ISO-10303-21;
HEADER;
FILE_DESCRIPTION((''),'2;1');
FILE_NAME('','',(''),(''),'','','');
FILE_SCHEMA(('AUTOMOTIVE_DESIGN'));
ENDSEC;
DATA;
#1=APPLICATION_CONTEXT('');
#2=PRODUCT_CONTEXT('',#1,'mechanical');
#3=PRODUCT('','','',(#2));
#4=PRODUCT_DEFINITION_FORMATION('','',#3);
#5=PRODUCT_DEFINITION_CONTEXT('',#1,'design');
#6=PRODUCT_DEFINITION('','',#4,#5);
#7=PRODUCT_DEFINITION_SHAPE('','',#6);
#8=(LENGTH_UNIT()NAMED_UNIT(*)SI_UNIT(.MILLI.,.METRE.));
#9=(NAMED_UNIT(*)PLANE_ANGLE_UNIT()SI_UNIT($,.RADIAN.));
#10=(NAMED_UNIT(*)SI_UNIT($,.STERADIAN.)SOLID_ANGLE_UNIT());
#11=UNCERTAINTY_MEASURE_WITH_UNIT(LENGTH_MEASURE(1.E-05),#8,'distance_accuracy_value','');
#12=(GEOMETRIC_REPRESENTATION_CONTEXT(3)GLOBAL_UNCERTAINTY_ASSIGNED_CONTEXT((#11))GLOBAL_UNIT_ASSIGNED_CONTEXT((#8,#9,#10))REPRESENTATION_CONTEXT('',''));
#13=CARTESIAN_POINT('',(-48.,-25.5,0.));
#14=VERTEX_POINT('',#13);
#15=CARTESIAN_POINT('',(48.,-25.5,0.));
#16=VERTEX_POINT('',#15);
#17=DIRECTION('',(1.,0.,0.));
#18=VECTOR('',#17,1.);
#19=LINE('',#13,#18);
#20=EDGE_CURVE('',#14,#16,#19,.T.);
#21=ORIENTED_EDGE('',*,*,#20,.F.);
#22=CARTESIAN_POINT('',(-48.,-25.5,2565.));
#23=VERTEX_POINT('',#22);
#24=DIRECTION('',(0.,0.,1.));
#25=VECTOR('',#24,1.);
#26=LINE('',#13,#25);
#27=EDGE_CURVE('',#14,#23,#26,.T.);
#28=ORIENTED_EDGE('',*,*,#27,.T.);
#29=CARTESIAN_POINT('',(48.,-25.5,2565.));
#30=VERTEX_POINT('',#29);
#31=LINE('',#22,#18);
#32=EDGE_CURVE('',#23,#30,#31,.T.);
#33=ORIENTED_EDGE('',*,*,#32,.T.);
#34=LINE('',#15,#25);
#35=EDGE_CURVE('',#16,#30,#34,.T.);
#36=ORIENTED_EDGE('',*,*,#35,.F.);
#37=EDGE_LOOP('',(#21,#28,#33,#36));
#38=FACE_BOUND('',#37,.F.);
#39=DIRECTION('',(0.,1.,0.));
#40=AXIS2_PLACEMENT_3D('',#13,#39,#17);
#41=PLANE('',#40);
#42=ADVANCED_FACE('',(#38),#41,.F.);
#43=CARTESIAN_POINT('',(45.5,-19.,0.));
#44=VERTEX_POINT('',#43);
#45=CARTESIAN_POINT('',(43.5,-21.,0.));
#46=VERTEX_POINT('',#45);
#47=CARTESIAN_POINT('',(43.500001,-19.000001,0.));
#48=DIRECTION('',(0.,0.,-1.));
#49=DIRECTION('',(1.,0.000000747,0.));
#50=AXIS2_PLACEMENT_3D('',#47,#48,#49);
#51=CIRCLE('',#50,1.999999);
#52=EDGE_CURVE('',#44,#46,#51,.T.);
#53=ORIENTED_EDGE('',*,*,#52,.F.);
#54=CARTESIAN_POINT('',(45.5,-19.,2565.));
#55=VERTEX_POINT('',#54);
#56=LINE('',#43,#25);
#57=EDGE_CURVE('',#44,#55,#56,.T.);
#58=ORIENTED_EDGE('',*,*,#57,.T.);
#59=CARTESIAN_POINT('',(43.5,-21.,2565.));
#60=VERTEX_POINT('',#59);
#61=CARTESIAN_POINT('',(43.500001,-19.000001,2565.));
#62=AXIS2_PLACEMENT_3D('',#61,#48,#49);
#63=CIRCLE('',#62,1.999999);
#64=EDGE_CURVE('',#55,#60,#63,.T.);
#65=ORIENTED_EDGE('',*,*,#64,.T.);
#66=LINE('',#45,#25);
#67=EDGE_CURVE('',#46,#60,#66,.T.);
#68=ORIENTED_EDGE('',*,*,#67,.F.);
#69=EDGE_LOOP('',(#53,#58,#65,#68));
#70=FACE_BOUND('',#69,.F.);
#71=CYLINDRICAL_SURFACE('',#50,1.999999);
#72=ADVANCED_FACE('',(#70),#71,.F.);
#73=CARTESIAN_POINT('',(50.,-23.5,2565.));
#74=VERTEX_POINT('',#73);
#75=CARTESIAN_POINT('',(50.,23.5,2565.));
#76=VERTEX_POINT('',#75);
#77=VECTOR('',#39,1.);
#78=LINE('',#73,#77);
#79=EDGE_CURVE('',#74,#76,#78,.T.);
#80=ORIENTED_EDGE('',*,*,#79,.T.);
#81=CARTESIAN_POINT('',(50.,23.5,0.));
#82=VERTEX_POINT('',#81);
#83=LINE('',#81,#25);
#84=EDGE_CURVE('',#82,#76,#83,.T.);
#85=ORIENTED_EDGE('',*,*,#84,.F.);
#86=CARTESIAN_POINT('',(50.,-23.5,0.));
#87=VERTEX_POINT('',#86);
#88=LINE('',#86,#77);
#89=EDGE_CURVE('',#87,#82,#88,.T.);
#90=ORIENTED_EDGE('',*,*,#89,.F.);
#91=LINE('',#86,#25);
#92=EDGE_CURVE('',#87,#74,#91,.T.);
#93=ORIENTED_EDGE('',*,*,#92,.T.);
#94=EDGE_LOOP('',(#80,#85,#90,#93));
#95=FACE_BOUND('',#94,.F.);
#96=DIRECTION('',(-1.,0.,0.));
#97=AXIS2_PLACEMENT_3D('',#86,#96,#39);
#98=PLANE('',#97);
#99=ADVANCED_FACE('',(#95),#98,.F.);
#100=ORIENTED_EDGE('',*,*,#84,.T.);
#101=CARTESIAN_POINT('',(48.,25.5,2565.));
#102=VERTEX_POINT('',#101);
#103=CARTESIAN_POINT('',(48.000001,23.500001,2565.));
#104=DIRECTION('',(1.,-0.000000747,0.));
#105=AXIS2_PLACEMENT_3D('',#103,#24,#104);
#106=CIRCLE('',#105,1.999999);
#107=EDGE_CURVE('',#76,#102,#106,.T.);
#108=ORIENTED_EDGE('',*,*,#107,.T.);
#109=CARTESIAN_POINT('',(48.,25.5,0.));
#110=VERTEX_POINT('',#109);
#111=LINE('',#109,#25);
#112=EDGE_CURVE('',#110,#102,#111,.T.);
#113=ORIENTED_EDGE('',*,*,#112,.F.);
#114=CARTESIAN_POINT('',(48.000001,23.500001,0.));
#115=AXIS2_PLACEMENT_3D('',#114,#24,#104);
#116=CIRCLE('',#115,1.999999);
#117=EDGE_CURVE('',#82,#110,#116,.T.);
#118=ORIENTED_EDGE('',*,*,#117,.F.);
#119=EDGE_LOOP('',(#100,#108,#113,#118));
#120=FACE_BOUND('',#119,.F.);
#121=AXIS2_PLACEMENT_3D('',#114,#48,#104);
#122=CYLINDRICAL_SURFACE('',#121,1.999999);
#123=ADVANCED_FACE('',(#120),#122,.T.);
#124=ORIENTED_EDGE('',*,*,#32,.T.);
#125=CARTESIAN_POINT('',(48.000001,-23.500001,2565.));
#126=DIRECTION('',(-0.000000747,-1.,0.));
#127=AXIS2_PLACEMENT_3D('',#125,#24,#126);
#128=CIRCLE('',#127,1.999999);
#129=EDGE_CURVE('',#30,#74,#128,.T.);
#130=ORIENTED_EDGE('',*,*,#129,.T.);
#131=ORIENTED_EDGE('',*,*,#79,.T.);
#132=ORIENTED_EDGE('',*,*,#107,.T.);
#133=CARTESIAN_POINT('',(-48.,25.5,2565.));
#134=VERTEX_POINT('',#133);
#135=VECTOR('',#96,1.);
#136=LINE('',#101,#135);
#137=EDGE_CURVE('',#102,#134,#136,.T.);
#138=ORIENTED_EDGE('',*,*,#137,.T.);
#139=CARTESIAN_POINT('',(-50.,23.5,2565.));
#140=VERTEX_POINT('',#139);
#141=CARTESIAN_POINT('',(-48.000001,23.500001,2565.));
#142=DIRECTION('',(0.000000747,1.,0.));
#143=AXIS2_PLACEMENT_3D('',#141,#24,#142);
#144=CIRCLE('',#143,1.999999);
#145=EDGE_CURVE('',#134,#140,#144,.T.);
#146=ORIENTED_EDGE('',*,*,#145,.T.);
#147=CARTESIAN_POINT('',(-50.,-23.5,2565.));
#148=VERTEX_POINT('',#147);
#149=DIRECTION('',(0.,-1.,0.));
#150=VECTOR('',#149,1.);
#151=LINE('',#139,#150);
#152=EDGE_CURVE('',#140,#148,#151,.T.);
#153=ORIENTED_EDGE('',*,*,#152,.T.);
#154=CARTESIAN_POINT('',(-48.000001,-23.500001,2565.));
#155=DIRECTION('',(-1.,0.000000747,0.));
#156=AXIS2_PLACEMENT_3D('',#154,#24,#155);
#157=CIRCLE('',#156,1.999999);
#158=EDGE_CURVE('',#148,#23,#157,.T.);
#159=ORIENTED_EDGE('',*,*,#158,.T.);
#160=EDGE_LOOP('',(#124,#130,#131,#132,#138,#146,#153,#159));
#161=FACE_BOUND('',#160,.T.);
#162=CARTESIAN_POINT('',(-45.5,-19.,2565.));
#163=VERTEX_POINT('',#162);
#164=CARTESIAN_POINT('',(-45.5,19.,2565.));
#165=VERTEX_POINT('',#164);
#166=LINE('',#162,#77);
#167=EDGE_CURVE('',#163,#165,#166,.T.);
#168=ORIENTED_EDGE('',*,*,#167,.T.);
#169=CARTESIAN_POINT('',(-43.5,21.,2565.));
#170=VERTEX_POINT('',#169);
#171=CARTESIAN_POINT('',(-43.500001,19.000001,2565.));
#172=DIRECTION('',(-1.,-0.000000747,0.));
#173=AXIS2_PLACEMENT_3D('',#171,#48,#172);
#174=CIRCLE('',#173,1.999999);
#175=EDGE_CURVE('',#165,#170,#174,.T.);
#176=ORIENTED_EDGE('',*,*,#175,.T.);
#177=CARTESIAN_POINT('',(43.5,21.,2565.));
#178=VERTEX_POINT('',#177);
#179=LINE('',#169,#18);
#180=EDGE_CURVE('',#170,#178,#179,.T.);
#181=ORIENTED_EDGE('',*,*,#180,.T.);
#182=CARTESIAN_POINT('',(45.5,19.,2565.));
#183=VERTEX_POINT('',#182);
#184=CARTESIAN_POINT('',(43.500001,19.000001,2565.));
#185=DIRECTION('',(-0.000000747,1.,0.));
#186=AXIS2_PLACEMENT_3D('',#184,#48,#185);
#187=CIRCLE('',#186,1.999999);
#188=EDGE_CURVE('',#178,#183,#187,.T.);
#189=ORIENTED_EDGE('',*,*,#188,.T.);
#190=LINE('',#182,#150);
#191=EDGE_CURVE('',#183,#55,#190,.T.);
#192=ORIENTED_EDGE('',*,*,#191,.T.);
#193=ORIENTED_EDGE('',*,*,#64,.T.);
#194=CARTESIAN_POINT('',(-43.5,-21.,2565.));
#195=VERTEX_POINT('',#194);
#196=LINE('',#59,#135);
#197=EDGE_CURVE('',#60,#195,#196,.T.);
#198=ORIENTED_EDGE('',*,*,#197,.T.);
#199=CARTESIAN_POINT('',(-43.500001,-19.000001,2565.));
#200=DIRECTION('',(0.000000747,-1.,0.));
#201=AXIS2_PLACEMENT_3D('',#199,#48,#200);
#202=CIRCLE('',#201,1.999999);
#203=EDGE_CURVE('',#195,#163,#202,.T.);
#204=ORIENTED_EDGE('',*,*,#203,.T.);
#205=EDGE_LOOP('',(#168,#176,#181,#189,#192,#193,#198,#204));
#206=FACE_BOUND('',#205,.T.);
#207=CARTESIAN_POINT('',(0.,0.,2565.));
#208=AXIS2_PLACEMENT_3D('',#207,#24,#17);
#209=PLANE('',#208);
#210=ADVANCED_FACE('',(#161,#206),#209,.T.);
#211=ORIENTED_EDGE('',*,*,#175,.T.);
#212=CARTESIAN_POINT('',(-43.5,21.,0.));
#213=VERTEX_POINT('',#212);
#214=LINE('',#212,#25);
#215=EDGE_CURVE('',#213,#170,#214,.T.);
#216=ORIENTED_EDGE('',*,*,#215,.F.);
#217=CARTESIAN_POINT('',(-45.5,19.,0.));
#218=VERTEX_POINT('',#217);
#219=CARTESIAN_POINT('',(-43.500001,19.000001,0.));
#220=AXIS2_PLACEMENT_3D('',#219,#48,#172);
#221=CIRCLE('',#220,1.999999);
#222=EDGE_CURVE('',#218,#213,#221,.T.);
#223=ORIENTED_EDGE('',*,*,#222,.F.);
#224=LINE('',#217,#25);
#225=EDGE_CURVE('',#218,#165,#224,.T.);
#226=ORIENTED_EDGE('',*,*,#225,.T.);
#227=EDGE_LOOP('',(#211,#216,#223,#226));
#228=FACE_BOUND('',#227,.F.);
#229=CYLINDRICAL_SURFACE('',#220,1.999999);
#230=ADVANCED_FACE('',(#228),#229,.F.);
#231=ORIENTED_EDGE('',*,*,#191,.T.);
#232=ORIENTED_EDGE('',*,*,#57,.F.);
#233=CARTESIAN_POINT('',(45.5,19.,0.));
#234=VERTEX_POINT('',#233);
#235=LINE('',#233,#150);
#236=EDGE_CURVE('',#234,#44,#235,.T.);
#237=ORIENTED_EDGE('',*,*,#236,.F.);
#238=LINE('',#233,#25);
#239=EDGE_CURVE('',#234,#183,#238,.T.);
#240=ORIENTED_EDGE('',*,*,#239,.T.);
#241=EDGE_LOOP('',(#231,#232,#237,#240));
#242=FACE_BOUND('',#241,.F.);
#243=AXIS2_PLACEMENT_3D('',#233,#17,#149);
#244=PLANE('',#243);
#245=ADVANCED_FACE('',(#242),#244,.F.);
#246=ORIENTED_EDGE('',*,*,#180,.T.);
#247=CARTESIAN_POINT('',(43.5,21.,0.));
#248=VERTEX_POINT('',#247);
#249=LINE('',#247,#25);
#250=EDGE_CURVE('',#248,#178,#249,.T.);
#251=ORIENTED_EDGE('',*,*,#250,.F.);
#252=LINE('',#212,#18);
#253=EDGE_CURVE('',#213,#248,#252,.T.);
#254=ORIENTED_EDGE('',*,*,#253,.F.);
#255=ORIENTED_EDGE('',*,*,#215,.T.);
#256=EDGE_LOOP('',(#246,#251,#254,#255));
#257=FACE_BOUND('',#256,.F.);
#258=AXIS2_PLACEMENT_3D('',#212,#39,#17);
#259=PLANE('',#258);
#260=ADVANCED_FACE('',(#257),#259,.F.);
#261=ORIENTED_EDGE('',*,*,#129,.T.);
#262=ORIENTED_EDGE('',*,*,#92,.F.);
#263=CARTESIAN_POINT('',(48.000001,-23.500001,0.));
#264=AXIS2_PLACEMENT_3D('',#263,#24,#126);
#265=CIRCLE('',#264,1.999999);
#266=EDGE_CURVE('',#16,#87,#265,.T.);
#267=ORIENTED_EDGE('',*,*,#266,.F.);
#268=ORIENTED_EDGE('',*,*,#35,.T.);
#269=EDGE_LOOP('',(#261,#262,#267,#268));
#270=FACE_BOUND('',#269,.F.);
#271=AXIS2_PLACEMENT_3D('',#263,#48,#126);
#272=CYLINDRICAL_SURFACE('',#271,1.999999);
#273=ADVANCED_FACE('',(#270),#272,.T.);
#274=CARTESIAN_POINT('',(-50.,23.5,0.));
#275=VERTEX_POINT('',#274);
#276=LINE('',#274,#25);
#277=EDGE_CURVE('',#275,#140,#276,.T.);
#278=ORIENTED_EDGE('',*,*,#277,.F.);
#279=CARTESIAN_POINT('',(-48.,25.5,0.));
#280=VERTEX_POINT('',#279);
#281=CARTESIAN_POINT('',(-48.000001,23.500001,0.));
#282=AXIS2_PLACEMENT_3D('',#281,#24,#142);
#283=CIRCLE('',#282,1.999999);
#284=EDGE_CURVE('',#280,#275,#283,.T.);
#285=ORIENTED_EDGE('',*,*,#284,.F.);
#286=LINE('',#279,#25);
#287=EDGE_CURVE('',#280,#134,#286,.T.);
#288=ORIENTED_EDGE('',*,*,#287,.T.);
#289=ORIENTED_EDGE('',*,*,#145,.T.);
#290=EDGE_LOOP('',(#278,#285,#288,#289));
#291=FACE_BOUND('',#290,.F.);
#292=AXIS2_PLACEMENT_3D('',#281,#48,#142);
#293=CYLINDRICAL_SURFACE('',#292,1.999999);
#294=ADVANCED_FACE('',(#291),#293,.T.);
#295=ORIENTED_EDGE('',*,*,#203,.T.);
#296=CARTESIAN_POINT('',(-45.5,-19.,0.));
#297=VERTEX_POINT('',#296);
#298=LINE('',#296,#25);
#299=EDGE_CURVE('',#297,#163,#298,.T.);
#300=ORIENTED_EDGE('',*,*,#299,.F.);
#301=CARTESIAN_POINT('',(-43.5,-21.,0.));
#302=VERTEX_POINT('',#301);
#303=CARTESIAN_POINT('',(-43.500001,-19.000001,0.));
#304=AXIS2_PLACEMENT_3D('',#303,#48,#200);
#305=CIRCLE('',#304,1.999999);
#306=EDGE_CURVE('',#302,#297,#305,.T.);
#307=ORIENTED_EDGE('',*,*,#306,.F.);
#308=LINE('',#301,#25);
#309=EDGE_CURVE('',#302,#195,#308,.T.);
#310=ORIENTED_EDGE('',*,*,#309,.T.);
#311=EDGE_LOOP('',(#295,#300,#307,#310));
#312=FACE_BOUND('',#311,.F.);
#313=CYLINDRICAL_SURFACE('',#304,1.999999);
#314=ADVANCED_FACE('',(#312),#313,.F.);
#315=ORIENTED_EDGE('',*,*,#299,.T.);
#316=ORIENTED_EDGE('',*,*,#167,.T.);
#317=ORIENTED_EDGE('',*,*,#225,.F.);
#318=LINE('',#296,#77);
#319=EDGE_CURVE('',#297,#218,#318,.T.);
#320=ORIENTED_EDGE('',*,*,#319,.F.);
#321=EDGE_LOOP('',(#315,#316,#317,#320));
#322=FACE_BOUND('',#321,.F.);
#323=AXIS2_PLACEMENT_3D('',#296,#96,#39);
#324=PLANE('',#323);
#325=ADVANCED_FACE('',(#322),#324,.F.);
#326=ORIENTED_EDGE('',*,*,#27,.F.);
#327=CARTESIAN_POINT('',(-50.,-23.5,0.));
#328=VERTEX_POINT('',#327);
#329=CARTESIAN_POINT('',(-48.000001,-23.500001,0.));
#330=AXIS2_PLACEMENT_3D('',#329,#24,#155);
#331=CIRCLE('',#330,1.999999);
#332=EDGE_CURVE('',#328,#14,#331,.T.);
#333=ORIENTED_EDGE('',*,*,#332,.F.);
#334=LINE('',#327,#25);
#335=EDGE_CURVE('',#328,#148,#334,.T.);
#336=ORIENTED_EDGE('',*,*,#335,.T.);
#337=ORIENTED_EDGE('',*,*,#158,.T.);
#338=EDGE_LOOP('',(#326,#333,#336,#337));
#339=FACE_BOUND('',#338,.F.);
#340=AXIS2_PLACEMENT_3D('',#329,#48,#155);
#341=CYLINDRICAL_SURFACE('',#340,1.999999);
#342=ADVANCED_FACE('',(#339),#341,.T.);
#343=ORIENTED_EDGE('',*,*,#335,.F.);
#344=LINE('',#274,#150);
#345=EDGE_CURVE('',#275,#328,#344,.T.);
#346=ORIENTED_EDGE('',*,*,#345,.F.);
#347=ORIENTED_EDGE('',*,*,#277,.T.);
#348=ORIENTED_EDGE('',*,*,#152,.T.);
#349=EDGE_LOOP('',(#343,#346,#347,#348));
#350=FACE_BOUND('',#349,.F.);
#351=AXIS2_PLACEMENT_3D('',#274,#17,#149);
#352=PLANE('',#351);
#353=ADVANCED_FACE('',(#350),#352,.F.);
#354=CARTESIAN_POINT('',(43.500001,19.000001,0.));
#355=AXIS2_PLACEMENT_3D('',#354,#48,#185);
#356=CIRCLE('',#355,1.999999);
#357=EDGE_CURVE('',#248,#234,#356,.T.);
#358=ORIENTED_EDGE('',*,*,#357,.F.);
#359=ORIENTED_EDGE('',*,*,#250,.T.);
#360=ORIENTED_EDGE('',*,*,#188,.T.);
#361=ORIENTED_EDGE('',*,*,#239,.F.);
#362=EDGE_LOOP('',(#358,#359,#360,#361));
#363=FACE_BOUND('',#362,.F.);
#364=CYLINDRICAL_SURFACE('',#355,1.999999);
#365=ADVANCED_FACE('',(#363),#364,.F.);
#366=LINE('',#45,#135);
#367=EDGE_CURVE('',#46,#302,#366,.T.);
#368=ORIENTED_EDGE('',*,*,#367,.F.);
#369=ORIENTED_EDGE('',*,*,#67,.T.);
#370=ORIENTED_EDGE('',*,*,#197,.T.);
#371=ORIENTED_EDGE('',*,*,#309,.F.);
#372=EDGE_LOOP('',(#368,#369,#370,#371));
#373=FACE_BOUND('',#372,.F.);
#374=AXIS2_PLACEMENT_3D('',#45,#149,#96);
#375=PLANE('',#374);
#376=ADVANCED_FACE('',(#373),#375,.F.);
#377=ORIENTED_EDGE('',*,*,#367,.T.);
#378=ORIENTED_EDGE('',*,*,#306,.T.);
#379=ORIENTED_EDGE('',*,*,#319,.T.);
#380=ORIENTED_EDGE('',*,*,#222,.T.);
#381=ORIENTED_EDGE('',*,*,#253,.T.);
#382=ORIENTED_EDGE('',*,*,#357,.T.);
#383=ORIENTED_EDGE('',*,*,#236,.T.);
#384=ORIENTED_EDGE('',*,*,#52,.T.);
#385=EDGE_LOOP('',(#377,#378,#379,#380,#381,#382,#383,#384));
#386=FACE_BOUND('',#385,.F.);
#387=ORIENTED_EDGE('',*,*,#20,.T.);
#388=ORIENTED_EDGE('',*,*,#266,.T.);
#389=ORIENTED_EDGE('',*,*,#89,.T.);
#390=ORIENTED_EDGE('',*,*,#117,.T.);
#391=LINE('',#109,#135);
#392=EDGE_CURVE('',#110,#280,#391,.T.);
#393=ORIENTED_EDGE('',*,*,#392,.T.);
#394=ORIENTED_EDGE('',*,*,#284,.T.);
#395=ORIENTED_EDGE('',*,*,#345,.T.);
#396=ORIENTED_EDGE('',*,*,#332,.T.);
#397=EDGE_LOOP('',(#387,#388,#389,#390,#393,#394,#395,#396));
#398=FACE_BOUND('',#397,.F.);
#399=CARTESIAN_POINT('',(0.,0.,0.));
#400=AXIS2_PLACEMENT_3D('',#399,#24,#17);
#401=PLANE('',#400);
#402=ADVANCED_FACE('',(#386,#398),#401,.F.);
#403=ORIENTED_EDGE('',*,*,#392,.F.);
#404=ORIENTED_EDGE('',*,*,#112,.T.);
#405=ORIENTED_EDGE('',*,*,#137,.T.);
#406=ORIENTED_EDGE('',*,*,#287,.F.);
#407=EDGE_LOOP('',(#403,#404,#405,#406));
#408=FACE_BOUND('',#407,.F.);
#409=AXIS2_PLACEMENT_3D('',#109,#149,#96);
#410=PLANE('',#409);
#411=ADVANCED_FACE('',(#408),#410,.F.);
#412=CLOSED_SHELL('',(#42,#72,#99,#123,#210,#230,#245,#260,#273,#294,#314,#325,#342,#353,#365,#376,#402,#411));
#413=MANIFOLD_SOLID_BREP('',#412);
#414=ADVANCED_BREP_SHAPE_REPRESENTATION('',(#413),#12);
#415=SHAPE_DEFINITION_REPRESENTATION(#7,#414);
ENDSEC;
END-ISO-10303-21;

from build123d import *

# Parameters (mm, degrees)
F1_DEPTH = 2565


with BuildPart() as f1:
    # F0 (on Top) → F1 (new body)
    with BuildSketch(Plane.XY):
        with BuildLine():
            Line((-48, -25.5), (48, -25.5))
            ThreePointArc((48, -25.5), (49.414214, -24.914214), (50, -23.5))
            Line((50, -23.5), (50, 23.5))
            ThreePointArc((50, 23.5), (49.414214, 24.914214), (48, 25.5))
            Line((48, 25.5), (-48, 25.5))
            ThreePointArc((-48, 25.5), (-49.414214, 24.914214), (-50, 23.5))
            Line((-50, 23.5), (-50, -23.5))
            ThreePointArc((-50, -23.5), (-49.414214, -24.914214), (-48, -25.5))
        make_face()
        with BuildLine():
            Line((-43.5, 21), (43.5, 21))
            ThreePointArc((43.5, 21), (44.914214, 20.414214), (45.5, 19))
            Line((45.5, 19), (45.5, -19))
            ThreePointArc((45.5, -19), (44.914214, -20.414214), (43.5, -21))
            Line((43.5, -21), (-43.5, -21))
            ThreePointArc((-43.5, -21), (-44.914214, -20.414214), (-45.5, -19))
            Line((-45.5, -19), (-45.5, 19))
            ThreePointArc((-45.5, 19), (-44.914214, 20.414214), (-43.5, 21))
        make_face(mode=Mode.SUBTRACT)
    extrude(amount=F1_DEPTH)


solid = f1.part
